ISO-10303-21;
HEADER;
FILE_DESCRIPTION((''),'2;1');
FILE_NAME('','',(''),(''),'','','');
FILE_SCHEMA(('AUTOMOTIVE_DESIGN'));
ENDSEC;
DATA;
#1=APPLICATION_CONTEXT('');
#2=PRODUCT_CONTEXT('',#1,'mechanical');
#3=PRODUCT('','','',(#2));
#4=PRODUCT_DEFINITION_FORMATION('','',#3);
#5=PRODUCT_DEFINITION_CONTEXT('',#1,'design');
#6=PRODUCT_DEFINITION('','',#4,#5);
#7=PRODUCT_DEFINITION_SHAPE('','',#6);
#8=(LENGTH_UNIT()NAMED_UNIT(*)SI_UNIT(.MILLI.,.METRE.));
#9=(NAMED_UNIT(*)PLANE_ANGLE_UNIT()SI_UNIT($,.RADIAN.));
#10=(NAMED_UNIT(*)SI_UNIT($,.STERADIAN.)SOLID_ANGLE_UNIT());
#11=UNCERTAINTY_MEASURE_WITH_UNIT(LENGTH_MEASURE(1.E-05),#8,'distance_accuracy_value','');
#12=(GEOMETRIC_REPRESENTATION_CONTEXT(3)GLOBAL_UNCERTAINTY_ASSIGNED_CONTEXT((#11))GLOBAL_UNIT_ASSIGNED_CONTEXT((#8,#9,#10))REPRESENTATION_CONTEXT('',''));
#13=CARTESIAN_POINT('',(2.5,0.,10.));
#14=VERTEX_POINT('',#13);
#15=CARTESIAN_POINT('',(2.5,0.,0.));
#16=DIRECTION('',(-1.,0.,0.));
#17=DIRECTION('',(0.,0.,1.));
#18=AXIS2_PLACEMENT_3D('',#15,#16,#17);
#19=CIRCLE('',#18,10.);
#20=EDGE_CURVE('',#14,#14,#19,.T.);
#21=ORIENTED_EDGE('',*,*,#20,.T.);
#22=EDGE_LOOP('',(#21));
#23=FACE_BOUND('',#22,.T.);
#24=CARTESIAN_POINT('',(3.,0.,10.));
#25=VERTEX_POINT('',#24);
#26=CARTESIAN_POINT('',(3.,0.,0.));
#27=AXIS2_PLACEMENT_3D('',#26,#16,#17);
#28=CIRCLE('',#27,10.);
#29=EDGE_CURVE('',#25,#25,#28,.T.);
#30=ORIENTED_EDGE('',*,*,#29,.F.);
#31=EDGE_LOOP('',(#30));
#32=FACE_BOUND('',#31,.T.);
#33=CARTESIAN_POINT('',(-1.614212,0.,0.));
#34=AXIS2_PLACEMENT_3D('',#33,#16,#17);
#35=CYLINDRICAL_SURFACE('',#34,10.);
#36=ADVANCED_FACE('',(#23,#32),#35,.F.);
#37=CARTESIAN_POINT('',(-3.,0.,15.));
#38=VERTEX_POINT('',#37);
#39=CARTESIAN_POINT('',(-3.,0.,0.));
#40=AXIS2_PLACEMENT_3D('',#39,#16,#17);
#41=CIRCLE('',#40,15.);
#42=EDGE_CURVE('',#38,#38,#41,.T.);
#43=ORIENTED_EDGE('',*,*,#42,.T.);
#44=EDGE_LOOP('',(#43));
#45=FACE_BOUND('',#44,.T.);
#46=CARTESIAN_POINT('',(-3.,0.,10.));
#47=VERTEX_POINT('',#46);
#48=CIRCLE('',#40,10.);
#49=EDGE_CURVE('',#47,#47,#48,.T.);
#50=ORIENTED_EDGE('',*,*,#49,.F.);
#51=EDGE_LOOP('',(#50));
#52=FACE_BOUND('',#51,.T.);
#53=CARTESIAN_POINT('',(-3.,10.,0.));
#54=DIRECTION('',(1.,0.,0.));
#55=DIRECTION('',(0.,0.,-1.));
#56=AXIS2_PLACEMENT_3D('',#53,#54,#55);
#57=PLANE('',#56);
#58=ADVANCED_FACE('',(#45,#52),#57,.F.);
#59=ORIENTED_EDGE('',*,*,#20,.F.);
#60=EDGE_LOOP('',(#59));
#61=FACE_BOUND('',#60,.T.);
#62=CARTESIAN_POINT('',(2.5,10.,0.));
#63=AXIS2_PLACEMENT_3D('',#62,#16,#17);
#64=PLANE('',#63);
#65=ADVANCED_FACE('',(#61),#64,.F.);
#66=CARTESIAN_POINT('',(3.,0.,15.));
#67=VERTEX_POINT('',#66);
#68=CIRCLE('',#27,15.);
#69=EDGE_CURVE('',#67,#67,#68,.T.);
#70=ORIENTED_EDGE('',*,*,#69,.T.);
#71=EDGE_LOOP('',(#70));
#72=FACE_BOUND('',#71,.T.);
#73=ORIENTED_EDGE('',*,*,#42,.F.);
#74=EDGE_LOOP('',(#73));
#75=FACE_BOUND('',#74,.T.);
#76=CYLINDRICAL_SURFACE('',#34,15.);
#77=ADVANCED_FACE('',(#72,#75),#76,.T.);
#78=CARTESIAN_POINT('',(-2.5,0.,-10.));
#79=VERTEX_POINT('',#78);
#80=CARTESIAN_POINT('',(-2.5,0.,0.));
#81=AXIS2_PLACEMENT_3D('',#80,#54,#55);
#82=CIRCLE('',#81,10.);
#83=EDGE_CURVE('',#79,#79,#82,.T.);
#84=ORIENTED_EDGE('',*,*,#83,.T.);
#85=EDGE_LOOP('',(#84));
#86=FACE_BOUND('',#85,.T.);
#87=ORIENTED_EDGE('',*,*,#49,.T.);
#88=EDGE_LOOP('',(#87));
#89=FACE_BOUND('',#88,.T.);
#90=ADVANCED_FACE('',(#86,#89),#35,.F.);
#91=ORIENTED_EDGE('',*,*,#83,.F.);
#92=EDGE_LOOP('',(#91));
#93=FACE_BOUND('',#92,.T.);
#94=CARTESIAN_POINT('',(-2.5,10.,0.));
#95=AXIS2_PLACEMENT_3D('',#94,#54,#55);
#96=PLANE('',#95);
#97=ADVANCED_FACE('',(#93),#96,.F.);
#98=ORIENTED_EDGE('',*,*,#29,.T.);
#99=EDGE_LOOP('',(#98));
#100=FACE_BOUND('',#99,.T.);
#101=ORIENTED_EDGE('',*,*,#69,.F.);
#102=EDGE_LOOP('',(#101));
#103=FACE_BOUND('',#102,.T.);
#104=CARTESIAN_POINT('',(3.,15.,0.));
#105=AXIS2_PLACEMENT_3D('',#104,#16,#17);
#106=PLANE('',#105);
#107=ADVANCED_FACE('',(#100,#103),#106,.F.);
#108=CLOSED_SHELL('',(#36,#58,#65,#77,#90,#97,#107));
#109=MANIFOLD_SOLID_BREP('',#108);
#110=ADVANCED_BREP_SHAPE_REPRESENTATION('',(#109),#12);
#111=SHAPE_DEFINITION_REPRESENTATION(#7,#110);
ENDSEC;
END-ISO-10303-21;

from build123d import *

# Parameters (mm, degrees)
SKETCH_1_W = 5
SKETCH_1_H = 10
SKETCH_4_W = 6
SKETCH_4_H = 5


with BuildPart() as part:
    # 草图1 → 旋转2 (revolve)
    with BuildSketch(Plane.XY, mode=Mode.PRIVATE) as revolve_2_sk:
        with Locations((0, 5)):
            Rectangle(SKETCH_1_W, SKETCH_1_H)
    revolve(revolve_2_sk.sketch.rotate(Axis((-2.5, 0, 0), (1, 0, 0)), 90), axis=Axis((-2.5, 0, 0), (1, 0, 0)))  # turned: the seam where the file's is

    # 草图4 → 旋转3 (revolve)
    with BuildSketch(Plane.XY, mode=Mode.PRIVATE) as revolve_3_sk:
        with Locations((0, 12.5)):
            Rectangle(SKETCH_4_W, SKETCH_4_H)
    revolve(revolve_3_sk.sketch.rotate(Axis((-1.614212419, 0, 0), (1, 0, 0)), 90), axis=Axis((-1.614212419, 0, 0), (1, 0, 0)))  # turned: the seam where the file's is


solid = part.part
